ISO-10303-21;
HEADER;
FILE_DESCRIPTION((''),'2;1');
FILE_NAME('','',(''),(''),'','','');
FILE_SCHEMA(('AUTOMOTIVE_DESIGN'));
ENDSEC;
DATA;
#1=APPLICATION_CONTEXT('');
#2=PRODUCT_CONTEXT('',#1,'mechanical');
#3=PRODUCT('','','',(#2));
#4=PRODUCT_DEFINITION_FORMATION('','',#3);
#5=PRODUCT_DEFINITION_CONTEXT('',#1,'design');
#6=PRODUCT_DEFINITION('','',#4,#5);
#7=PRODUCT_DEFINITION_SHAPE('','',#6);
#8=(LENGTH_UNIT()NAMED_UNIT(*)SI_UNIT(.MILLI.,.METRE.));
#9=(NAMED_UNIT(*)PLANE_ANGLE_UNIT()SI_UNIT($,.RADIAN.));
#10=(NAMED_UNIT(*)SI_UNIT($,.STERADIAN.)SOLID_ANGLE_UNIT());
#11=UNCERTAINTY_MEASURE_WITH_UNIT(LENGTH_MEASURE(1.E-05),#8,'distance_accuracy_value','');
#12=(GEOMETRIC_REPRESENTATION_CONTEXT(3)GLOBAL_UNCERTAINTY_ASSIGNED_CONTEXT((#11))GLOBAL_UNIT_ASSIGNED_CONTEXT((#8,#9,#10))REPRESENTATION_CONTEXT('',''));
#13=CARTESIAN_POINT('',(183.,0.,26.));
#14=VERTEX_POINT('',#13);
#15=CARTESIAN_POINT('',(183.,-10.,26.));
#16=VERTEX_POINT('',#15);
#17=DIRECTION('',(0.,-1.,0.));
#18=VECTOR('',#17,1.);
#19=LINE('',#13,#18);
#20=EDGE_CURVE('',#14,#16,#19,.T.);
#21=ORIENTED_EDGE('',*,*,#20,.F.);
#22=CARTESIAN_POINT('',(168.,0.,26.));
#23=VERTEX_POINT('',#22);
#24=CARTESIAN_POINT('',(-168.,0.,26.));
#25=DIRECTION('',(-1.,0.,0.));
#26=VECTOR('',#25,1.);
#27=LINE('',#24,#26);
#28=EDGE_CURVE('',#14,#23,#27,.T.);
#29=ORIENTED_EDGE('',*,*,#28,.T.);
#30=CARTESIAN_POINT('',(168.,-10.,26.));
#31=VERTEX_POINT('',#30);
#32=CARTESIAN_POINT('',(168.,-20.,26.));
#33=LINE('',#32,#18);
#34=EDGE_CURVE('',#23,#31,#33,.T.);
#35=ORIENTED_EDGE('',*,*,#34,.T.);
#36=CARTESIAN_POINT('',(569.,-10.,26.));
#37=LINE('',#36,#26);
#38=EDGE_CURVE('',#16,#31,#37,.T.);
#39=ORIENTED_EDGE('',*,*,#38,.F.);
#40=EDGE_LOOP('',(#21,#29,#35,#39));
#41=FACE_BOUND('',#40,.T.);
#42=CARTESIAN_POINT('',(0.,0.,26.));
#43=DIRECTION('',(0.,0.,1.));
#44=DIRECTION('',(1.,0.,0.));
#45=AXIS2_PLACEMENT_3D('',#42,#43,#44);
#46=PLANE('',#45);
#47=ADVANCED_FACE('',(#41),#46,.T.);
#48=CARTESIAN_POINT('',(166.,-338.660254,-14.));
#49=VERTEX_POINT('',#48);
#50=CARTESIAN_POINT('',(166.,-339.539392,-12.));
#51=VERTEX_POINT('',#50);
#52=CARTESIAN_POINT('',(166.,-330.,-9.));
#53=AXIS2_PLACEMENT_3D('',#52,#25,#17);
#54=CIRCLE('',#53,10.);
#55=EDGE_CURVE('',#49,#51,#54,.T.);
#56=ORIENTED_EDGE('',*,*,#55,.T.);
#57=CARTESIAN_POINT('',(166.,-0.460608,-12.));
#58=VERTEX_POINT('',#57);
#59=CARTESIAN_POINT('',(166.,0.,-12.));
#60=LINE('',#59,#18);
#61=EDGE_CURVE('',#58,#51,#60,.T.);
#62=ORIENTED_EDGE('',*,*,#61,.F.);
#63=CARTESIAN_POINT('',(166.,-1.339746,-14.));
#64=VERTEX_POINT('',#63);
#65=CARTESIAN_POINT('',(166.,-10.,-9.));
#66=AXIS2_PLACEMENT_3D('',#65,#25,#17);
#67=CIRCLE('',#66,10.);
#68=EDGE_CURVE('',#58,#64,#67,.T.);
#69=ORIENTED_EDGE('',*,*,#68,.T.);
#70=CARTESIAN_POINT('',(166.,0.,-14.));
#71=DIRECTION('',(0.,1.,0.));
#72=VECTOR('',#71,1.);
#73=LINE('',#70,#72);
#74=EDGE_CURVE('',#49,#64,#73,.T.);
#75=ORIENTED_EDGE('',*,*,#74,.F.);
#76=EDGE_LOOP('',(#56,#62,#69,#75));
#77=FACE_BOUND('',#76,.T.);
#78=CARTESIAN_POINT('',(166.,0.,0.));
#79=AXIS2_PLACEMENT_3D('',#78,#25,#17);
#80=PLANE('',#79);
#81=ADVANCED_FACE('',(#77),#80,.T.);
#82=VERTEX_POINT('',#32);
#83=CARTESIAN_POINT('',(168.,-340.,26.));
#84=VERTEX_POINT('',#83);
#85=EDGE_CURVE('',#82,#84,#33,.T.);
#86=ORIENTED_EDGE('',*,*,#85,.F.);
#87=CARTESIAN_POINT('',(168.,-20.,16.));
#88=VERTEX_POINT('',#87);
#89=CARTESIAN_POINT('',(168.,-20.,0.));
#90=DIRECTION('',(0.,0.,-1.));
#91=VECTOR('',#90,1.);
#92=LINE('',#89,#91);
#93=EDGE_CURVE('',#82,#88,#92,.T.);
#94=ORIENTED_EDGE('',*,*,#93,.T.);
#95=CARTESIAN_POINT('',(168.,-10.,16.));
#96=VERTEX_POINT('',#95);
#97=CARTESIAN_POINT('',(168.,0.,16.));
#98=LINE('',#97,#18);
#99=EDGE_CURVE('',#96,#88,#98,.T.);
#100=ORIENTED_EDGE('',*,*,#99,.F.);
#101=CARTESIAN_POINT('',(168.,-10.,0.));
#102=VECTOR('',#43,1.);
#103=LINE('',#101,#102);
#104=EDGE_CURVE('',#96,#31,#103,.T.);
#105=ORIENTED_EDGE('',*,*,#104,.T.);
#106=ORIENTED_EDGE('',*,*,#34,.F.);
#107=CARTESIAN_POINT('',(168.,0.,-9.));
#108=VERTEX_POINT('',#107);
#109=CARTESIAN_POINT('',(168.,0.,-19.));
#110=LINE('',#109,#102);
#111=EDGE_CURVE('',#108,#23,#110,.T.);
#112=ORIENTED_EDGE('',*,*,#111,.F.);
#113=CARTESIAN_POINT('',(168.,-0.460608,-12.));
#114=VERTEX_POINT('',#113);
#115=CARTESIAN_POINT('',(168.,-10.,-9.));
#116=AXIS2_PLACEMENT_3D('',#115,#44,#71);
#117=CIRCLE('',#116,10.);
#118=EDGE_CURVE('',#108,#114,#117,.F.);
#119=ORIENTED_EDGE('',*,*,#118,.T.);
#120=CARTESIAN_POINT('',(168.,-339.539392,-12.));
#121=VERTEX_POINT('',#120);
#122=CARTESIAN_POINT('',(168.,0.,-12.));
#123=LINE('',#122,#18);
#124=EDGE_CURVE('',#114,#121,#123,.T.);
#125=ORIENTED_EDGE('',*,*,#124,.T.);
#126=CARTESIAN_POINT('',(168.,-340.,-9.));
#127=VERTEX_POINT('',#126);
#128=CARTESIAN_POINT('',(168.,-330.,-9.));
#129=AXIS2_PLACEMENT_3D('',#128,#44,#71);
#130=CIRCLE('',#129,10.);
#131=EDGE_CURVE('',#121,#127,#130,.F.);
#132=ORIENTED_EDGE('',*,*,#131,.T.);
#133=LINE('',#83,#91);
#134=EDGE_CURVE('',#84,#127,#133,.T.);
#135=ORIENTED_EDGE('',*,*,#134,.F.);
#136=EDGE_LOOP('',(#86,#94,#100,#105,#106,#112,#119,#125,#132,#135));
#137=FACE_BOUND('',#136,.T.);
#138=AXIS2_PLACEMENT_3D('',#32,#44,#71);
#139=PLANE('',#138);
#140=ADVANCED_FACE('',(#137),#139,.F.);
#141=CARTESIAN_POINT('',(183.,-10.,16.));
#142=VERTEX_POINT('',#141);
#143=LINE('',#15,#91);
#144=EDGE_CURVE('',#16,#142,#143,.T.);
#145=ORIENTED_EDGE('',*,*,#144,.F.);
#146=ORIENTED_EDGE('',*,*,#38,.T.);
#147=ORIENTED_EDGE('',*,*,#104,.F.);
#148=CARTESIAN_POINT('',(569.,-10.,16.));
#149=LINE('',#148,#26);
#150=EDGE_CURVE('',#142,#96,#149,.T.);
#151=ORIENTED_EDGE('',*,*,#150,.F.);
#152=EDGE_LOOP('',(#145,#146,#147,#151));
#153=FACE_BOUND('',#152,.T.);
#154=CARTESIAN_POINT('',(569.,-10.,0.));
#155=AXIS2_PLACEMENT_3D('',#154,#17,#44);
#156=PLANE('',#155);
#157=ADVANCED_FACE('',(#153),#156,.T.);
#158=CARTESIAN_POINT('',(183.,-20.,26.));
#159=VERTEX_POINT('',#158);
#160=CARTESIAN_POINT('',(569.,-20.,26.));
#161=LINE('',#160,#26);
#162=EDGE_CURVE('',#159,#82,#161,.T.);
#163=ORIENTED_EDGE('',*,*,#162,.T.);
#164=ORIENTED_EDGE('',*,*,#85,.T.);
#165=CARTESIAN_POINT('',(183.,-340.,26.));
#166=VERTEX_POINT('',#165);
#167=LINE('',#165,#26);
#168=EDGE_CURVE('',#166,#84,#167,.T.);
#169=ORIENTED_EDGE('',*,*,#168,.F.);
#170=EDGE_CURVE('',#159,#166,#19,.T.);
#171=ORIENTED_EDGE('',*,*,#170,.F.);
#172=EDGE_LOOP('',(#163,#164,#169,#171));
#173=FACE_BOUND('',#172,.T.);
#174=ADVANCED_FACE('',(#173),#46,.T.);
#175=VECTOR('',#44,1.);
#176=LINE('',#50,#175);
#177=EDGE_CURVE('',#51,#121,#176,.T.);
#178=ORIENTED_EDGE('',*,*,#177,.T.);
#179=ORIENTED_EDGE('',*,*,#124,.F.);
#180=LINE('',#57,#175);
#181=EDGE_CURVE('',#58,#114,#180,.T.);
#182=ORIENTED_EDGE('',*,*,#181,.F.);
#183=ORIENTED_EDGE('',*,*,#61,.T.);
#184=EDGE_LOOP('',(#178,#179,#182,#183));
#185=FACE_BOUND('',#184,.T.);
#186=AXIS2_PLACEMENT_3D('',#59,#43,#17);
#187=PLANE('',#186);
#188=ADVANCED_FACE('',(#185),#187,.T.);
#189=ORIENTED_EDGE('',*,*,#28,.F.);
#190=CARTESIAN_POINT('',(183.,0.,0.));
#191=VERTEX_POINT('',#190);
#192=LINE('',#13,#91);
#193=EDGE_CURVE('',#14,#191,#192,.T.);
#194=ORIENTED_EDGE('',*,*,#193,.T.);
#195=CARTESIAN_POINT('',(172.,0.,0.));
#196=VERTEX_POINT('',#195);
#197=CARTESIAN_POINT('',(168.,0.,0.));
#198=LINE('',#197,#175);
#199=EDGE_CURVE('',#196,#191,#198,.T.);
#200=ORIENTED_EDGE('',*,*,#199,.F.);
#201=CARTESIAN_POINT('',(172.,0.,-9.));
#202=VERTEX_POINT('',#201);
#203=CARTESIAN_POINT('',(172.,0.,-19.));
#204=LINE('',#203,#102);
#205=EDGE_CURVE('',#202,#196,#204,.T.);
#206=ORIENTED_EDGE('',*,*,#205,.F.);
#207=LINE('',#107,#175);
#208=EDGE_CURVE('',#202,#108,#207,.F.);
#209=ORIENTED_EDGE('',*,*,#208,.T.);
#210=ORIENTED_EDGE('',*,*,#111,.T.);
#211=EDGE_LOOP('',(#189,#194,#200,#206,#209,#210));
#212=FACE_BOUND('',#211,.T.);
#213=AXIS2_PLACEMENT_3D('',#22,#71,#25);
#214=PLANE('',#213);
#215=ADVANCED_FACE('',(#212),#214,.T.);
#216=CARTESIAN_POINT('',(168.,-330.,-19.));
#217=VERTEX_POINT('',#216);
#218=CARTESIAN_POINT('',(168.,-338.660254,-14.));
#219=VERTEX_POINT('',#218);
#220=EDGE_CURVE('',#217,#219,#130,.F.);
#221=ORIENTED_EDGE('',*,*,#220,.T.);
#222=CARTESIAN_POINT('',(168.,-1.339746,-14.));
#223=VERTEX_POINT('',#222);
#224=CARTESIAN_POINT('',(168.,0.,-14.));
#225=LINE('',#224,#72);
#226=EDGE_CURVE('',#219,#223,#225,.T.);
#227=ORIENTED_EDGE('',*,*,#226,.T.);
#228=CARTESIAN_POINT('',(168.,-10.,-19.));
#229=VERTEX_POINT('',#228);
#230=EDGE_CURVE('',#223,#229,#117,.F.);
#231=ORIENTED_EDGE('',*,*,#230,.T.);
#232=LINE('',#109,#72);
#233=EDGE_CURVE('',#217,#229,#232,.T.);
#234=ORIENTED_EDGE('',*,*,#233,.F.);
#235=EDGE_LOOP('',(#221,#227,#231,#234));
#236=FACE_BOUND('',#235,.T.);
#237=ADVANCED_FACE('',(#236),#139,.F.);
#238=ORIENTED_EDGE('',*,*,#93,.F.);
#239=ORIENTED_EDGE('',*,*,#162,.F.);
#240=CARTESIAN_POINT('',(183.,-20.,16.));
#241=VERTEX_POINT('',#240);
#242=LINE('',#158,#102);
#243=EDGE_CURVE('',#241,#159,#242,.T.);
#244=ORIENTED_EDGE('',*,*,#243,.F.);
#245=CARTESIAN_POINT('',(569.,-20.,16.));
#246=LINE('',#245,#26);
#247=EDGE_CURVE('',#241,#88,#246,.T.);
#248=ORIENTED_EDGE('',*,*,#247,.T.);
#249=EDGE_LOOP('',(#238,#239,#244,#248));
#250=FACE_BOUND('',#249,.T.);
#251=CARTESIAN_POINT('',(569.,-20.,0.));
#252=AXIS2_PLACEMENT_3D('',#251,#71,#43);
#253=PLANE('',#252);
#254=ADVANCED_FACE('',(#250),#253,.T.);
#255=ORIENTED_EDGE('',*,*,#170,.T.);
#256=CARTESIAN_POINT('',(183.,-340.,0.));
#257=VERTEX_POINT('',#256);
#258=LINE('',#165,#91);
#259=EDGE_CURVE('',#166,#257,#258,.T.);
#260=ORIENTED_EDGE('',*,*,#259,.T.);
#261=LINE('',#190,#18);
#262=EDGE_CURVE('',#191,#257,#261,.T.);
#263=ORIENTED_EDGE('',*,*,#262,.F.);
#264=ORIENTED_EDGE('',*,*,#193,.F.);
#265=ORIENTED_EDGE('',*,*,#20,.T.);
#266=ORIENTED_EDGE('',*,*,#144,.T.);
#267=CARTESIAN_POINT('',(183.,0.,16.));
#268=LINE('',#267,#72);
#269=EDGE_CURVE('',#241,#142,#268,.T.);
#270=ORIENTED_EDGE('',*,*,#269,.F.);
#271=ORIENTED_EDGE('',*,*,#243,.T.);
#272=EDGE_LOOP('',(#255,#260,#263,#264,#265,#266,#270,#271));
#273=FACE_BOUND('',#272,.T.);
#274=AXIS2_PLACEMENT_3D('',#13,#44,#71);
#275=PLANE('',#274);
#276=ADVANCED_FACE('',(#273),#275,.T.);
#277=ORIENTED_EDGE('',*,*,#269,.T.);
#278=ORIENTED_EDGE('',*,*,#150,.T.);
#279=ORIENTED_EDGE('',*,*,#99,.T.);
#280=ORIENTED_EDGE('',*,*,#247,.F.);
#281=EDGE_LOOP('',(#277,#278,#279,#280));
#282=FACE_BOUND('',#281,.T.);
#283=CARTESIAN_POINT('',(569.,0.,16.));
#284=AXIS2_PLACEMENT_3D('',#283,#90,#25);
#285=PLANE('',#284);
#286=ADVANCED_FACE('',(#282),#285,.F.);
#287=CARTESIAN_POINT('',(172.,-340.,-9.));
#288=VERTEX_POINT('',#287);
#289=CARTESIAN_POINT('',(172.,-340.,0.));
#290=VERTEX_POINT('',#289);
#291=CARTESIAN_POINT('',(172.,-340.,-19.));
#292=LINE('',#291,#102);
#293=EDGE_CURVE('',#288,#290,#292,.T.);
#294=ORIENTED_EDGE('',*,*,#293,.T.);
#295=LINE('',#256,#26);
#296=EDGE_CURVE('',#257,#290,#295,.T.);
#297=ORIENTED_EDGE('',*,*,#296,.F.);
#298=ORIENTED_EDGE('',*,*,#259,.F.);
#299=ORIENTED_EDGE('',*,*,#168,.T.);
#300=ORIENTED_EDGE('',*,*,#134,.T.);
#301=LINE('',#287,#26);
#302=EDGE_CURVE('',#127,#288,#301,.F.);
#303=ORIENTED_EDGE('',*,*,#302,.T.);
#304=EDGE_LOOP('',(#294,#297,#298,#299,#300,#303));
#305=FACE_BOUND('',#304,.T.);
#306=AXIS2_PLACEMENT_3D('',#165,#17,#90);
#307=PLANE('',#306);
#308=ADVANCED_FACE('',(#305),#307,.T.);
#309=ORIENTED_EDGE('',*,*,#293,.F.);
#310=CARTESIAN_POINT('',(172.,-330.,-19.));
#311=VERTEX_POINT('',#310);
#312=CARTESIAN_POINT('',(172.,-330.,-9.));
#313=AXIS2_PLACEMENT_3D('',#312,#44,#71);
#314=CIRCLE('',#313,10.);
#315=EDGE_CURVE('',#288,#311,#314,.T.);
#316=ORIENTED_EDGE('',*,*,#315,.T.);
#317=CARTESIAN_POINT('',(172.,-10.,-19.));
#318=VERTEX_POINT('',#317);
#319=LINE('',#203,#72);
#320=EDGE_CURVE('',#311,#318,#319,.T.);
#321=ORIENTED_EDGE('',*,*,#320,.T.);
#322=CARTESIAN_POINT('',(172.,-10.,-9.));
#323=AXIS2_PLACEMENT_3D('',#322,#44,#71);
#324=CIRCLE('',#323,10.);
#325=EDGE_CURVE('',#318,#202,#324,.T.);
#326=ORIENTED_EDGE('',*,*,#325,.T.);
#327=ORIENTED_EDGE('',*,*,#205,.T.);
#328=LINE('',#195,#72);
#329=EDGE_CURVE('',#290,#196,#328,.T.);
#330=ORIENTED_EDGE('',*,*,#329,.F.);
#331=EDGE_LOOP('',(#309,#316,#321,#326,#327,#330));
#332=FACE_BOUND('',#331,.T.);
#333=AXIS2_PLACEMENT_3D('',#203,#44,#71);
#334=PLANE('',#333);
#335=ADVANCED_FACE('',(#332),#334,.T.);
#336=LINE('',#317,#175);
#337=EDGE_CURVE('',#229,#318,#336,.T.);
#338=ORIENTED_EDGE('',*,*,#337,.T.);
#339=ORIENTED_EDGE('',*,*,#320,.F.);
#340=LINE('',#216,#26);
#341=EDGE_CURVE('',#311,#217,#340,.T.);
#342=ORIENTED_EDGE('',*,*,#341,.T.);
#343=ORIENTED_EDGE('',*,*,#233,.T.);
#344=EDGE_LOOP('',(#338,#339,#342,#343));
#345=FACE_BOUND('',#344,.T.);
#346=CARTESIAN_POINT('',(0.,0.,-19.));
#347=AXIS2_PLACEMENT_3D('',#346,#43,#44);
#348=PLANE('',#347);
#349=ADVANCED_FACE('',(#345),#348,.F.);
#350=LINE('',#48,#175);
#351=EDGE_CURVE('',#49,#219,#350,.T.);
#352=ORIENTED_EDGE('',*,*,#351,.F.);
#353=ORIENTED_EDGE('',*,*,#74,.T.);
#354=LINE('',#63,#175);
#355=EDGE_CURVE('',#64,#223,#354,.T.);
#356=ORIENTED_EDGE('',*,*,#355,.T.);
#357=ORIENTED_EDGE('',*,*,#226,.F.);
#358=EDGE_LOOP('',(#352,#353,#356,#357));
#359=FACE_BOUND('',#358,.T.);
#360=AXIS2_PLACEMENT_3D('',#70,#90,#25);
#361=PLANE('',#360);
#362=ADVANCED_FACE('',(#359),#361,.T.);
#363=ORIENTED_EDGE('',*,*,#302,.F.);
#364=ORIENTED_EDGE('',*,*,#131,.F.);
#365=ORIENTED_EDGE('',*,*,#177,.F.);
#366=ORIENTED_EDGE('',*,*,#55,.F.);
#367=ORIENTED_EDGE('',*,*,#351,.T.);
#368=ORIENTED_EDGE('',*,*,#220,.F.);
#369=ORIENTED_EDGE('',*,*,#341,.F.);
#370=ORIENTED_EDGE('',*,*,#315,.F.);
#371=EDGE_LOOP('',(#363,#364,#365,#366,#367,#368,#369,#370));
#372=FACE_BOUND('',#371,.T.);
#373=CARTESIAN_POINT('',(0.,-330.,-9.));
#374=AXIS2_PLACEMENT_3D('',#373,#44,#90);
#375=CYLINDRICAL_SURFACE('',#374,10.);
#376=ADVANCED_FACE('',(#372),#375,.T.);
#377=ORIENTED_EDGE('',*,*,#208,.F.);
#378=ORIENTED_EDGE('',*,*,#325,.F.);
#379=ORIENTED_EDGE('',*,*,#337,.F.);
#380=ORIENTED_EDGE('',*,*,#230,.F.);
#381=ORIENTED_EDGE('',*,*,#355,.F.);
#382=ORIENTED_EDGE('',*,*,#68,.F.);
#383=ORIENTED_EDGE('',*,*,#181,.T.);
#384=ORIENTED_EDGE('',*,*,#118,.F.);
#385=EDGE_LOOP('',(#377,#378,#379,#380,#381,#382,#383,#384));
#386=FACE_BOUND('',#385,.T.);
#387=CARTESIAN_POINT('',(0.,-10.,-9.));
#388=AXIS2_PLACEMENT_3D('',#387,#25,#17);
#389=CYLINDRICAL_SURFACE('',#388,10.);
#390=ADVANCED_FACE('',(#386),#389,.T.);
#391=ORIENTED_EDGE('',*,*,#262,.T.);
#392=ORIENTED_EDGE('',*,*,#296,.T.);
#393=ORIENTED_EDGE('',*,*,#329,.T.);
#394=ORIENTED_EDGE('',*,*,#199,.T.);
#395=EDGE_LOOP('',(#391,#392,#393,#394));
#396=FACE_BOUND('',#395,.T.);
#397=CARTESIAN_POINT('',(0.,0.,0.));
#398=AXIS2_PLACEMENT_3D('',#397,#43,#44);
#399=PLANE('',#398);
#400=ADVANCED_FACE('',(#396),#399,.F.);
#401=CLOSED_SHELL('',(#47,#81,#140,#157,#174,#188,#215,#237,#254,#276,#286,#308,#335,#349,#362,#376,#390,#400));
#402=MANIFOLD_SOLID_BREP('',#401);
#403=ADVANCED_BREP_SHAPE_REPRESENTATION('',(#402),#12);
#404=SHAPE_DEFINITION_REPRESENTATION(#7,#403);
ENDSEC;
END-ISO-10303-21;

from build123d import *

# Parameters (mm, degrees)
EXTRUDE_1_DEPTH     = 26
SKETCH_1_4_W        = 4
SKETCH_1_4_H        = 340
EXTRUDE_2_DEPTH     = 19
FILLET_1_R          = 10
EXTRUDE_3_DEPTH     = 2
SKETCH_5_W          = 161
SKETCH_5_H          = 6
CUT_EXTRUDE_1_DEPTH = 52
SKETCH_6_W          = 156.446977918
SKETCH_6_H          = 480.108754565
CUT_EXTRUDE_3_DEPTH = 401
SKETCH_7_W          = 10
SKETCH_7_H          = 10
CUT_EXTRUDE_4_DEPTH = 401
EXTRUDE_5_DEPTH     = 2


with BuildPart() as part:
    # 스케치1 → 보스-돌출1 (new body)
    with BuildSketch(Plane.XY):
        Polygon((-168, 0), (168, 0), (183, 0), (183, -340), (168, -340), (168, -20), (-168, -20), (-168, -340), (-183, -340), (-183, 0), align=None)
    extrude(amount=EXTRUDE_1_DEPTH)

    # 스케치1<4> → 보스-돌출2 (add)
    with BuildSketch(Plane.XY):
        with Locations((-170, -170)):
            Rectangle(SKETCH_1_4_W, SKETCH_1_4_H)
        with Locations((170, -170)):
            Rectangle(SKETCH_1_4_W, SKETCH_1_4_H)
    extrude(amount=-EXTRUDE_2_DEPTH)

    # 필렛1
    fillet_1_edges = [part.edges().sort_by_distance(p)[0] for p in [
        (-170, 0, -19),
        (170, 0, -19),
        (170, -340, -19),
        (-170, -340, -19),
    ]]
    fillet(fillet_1_edges, radius=FILLET_1_R)

    # 스케치3 → 보스-돌출3 (add)
    with BuildSketch(Plane.ZY.offset(-168)):
        with BuildLine():
            Line((-12, -339.539392014), (-12, -0.460607986))
            ThreePointArc((-12, -0.460607986), (-13.02408013, -0.845395743), (-14, -1.339745962))
            Line((-14, -1.339745962), (-14, -338.660254038))
            ThreePointArc((-14, -338.660254038), (-13.02408013, -339.154604257), (-12, -339.539392014))
        make_face()
    extrude_3 = extrude(amount=EXTRUDE_3_DEPTH)

    # 대칭 복사1: 보스-돌출3 across plane
    add(extrude_3.mirror(Plane(origin=(0, 0, 0), x_dir=(0, 0, 1), z_dir=(1, 0, 0))))

    # 스케치5 → 컷-돌출1 (cut)
    with BuildSketch(Plane(origin=(0, 0, 0), x_dir=(1, 0, 0), z_dir=(0, 1, 0))):
        with Locations((-87.5, -3)):
            Rectangle(SKETCH_5_W, SKETCH_5_H)
        with Locations((87.5, -3)):
            Rectangle(SKETCH_5_W, SKETCH_5_H)
    extrude(amount=-CUT_EXTRUDE_1_DEPTH, mode=Mode.SUBTRACT)

    # 스케치6 → 컷-돌출3 (cut)
    with BuildSketch(Plane.ZY.offset(-168)):
        with Locations((6.474112075, -134.168402936)):
            Rectangle(SKETCH_6_W, SKETCH_6_H)
    extrude(amount=CUT_EXTRUDE_3_DEPTH, mode=Mode.SUBTRACT)

    # 스케치7 → 컷-돌출4 (cut)
    with BuildSketch(Plane.ZY.offset(-168)):
        with Locations((21, -15)):
            Rectangle(SKETCH_7_W, SKETCH_7_H)
    extrude(amount=-CUT_EXTRUDE_4_DEPTH, mode=Mode.SUBTRACT)

    # 스케치3<3> → 보스-돌출5 (add)
    with BuildSketch(Plane.ZY.offset(-168)):
        with BuildLine():
            Line((-12, -339.539392014), (-12, -0.460607986))
            ThreePointArc((-12, -0.460607986), (-13.02408013, -0.845395743), (-14, -1.339745962))
            Line((-14, -1.339745962), (-14, -338.660254038))
            ThreePointArc((-14, -338.660254038), (-13.02408013, -339.154604257), (-12, -339.539392014))
        make_face()
    extrude(amount=EXTRUDE_5_DEPTH)


solid = part.part
